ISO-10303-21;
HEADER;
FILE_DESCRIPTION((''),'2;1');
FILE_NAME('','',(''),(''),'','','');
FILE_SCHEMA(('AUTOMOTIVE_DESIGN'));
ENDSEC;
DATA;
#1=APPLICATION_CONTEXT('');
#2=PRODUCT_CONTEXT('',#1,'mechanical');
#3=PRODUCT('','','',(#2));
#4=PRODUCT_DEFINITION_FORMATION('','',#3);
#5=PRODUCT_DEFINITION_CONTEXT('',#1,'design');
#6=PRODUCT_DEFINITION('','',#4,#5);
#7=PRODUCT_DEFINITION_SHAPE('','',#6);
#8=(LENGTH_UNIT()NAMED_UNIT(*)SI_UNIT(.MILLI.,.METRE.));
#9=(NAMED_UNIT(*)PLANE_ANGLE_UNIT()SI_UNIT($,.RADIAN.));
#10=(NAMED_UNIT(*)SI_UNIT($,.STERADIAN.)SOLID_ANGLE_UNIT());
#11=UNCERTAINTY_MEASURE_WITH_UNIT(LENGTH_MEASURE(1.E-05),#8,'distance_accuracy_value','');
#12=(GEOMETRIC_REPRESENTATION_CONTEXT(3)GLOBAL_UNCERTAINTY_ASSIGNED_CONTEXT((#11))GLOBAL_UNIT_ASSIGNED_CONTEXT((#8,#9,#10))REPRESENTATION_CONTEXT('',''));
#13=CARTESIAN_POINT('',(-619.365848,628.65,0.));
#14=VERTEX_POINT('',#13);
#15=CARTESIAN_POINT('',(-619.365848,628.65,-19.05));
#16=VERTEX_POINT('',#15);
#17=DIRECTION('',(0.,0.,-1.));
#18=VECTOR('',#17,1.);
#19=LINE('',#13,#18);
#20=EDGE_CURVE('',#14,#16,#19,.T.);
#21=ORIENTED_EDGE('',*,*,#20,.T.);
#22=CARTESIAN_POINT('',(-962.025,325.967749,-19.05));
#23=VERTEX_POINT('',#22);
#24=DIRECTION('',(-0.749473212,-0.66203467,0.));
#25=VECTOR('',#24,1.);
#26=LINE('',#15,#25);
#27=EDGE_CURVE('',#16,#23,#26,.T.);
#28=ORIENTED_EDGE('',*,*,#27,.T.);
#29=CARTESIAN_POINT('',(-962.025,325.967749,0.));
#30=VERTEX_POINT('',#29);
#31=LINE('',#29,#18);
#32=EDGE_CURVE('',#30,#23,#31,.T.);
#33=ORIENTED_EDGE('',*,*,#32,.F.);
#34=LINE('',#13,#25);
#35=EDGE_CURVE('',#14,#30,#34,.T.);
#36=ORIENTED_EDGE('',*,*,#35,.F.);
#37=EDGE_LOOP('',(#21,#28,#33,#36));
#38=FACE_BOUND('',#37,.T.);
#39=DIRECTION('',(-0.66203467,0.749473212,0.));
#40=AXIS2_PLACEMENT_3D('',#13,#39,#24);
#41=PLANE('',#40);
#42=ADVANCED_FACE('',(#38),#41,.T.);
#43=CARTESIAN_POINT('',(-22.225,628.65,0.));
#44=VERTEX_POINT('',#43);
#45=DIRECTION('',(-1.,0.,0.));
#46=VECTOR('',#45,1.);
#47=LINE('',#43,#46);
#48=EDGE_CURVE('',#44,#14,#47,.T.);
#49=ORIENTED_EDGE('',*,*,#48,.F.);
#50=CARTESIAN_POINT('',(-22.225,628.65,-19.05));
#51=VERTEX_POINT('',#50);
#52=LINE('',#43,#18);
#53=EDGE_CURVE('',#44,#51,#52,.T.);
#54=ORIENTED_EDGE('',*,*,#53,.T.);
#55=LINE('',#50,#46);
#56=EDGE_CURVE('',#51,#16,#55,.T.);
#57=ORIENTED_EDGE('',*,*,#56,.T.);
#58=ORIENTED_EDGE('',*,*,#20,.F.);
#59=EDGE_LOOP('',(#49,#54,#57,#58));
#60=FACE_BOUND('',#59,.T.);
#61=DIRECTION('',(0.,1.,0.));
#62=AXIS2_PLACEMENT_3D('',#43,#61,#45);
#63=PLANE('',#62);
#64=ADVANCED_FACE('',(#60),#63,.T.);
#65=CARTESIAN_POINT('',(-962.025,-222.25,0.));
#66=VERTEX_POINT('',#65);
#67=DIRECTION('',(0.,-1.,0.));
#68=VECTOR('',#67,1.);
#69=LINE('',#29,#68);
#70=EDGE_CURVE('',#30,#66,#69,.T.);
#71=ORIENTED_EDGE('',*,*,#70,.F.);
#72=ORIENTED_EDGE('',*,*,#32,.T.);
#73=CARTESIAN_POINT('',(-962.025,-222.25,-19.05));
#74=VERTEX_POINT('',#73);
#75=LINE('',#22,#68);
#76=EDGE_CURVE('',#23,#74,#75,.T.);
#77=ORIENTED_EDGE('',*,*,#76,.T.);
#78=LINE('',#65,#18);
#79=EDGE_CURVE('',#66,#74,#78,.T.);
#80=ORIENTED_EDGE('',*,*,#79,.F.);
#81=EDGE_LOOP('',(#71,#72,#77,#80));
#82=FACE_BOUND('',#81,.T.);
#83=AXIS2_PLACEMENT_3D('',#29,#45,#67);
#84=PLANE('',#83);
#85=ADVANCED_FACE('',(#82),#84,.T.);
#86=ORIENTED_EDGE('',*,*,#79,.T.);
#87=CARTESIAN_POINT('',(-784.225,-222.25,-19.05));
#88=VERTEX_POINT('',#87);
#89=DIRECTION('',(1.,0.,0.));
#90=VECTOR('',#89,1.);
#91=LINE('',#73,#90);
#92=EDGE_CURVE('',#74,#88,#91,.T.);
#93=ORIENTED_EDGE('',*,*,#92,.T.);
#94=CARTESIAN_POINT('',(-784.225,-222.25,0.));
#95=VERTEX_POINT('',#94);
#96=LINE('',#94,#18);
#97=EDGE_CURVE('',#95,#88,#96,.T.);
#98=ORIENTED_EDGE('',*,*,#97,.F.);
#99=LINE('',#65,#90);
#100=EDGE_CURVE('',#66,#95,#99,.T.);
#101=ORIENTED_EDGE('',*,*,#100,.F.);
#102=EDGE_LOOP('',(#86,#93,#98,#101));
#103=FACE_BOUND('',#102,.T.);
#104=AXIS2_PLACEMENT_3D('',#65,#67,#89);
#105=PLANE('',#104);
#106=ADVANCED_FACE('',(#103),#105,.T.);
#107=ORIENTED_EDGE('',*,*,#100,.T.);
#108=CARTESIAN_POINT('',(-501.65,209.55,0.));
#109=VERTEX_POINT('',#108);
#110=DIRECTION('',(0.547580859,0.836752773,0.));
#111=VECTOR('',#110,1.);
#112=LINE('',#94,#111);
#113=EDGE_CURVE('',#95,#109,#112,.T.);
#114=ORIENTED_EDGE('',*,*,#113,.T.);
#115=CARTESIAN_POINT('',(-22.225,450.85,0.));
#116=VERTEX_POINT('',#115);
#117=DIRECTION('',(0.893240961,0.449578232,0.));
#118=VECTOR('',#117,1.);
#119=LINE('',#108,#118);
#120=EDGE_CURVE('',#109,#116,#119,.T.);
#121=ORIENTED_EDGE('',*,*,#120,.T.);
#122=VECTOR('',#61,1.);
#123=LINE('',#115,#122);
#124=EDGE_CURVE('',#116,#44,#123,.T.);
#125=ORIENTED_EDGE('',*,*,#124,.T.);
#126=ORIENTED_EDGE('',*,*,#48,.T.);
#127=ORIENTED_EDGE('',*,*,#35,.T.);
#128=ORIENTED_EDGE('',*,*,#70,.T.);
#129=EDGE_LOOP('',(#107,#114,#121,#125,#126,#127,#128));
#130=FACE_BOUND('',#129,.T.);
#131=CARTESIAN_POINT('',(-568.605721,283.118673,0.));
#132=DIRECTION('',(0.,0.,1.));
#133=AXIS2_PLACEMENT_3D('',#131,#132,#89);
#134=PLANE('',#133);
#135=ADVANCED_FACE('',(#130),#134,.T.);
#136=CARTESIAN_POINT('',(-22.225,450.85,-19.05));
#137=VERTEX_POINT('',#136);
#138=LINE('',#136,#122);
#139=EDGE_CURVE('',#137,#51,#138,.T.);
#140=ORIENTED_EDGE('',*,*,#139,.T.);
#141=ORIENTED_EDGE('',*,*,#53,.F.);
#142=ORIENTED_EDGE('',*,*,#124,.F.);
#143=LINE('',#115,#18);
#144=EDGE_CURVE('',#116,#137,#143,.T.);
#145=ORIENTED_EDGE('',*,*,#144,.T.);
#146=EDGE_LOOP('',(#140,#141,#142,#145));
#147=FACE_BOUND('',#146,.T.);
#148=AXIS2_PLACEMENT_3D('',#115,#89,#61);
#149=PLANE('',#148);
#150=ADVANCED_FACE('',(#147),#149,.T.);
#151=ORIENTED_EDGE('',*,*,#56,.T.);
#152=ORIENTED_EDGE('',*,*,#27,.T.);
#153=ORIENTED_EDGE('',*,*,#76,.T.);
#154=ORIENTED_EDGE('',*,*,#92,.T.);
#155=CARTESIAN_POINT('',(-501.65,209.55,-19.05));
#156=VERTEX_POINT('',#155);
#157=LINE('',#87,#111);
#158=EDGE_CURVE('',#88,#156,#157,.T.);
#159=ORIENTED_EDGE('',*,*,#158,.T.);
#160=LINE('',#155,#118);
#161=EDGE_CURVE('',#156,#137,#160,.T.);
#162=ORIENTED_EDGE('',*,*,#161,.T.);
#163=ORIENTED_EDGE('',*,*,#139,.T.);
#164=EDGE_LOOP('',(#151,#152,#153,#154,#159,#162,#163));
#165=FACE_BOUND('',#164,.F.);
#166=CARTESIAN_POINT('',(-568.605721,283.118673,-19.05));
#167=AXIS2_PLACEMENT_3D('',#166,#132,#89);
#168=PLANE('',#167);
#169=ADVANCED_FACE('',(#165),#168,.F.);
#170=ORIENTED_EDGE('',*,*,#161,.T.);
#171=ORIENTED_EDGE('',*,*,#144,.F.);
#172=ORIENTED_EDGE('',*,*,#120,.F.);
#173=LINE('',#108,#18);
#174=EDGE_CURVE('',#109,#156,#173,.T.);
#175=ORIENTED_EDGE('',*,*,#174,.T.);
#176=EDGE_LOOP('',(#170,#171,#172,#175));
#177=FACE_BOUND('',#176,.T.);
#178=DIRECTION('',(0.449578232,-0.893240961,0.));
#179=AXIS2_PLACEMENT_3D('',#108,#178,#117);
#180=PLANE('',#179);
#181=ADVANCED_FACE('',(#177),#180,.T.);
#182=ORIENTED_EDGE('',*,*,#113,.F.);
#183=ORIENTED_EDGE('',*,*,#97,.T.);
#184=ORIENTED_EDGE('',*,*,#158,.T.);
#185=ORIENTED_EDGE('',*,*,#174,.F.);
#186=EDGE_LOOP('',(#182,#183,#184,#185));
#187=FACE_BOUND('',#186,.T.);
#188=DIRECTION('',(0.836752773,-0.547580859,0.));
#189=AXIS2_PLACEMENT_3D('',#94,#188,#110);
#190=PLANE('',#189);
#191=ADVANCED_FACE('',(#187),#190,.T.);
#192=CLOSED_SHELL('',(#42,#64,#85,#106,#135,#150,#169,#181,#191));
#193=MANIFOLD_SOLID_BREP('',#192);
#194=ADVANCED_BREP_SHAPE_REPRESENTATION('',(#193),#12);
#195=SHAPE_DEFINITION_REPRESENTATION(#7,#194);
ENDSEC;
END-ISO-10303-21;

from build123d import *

# Parameters (mm, degrees)
F1_DEPTH = 19.05


with BuildPart() as f1:
    # F0 (on Top) → F1 (new body)
    with BuildSketch(Plane.XY):
        Polygon((-962.025, 325.967749), (-962.025, -222.25), (-784.225, -222.25), (-501.65, 209.55), (-22.225, 450.85), (-22.225, 628.65), (-619.365848, 628.65), align=None)
    extrude(amount=-F1_DEPTH)


solid = f1.part
